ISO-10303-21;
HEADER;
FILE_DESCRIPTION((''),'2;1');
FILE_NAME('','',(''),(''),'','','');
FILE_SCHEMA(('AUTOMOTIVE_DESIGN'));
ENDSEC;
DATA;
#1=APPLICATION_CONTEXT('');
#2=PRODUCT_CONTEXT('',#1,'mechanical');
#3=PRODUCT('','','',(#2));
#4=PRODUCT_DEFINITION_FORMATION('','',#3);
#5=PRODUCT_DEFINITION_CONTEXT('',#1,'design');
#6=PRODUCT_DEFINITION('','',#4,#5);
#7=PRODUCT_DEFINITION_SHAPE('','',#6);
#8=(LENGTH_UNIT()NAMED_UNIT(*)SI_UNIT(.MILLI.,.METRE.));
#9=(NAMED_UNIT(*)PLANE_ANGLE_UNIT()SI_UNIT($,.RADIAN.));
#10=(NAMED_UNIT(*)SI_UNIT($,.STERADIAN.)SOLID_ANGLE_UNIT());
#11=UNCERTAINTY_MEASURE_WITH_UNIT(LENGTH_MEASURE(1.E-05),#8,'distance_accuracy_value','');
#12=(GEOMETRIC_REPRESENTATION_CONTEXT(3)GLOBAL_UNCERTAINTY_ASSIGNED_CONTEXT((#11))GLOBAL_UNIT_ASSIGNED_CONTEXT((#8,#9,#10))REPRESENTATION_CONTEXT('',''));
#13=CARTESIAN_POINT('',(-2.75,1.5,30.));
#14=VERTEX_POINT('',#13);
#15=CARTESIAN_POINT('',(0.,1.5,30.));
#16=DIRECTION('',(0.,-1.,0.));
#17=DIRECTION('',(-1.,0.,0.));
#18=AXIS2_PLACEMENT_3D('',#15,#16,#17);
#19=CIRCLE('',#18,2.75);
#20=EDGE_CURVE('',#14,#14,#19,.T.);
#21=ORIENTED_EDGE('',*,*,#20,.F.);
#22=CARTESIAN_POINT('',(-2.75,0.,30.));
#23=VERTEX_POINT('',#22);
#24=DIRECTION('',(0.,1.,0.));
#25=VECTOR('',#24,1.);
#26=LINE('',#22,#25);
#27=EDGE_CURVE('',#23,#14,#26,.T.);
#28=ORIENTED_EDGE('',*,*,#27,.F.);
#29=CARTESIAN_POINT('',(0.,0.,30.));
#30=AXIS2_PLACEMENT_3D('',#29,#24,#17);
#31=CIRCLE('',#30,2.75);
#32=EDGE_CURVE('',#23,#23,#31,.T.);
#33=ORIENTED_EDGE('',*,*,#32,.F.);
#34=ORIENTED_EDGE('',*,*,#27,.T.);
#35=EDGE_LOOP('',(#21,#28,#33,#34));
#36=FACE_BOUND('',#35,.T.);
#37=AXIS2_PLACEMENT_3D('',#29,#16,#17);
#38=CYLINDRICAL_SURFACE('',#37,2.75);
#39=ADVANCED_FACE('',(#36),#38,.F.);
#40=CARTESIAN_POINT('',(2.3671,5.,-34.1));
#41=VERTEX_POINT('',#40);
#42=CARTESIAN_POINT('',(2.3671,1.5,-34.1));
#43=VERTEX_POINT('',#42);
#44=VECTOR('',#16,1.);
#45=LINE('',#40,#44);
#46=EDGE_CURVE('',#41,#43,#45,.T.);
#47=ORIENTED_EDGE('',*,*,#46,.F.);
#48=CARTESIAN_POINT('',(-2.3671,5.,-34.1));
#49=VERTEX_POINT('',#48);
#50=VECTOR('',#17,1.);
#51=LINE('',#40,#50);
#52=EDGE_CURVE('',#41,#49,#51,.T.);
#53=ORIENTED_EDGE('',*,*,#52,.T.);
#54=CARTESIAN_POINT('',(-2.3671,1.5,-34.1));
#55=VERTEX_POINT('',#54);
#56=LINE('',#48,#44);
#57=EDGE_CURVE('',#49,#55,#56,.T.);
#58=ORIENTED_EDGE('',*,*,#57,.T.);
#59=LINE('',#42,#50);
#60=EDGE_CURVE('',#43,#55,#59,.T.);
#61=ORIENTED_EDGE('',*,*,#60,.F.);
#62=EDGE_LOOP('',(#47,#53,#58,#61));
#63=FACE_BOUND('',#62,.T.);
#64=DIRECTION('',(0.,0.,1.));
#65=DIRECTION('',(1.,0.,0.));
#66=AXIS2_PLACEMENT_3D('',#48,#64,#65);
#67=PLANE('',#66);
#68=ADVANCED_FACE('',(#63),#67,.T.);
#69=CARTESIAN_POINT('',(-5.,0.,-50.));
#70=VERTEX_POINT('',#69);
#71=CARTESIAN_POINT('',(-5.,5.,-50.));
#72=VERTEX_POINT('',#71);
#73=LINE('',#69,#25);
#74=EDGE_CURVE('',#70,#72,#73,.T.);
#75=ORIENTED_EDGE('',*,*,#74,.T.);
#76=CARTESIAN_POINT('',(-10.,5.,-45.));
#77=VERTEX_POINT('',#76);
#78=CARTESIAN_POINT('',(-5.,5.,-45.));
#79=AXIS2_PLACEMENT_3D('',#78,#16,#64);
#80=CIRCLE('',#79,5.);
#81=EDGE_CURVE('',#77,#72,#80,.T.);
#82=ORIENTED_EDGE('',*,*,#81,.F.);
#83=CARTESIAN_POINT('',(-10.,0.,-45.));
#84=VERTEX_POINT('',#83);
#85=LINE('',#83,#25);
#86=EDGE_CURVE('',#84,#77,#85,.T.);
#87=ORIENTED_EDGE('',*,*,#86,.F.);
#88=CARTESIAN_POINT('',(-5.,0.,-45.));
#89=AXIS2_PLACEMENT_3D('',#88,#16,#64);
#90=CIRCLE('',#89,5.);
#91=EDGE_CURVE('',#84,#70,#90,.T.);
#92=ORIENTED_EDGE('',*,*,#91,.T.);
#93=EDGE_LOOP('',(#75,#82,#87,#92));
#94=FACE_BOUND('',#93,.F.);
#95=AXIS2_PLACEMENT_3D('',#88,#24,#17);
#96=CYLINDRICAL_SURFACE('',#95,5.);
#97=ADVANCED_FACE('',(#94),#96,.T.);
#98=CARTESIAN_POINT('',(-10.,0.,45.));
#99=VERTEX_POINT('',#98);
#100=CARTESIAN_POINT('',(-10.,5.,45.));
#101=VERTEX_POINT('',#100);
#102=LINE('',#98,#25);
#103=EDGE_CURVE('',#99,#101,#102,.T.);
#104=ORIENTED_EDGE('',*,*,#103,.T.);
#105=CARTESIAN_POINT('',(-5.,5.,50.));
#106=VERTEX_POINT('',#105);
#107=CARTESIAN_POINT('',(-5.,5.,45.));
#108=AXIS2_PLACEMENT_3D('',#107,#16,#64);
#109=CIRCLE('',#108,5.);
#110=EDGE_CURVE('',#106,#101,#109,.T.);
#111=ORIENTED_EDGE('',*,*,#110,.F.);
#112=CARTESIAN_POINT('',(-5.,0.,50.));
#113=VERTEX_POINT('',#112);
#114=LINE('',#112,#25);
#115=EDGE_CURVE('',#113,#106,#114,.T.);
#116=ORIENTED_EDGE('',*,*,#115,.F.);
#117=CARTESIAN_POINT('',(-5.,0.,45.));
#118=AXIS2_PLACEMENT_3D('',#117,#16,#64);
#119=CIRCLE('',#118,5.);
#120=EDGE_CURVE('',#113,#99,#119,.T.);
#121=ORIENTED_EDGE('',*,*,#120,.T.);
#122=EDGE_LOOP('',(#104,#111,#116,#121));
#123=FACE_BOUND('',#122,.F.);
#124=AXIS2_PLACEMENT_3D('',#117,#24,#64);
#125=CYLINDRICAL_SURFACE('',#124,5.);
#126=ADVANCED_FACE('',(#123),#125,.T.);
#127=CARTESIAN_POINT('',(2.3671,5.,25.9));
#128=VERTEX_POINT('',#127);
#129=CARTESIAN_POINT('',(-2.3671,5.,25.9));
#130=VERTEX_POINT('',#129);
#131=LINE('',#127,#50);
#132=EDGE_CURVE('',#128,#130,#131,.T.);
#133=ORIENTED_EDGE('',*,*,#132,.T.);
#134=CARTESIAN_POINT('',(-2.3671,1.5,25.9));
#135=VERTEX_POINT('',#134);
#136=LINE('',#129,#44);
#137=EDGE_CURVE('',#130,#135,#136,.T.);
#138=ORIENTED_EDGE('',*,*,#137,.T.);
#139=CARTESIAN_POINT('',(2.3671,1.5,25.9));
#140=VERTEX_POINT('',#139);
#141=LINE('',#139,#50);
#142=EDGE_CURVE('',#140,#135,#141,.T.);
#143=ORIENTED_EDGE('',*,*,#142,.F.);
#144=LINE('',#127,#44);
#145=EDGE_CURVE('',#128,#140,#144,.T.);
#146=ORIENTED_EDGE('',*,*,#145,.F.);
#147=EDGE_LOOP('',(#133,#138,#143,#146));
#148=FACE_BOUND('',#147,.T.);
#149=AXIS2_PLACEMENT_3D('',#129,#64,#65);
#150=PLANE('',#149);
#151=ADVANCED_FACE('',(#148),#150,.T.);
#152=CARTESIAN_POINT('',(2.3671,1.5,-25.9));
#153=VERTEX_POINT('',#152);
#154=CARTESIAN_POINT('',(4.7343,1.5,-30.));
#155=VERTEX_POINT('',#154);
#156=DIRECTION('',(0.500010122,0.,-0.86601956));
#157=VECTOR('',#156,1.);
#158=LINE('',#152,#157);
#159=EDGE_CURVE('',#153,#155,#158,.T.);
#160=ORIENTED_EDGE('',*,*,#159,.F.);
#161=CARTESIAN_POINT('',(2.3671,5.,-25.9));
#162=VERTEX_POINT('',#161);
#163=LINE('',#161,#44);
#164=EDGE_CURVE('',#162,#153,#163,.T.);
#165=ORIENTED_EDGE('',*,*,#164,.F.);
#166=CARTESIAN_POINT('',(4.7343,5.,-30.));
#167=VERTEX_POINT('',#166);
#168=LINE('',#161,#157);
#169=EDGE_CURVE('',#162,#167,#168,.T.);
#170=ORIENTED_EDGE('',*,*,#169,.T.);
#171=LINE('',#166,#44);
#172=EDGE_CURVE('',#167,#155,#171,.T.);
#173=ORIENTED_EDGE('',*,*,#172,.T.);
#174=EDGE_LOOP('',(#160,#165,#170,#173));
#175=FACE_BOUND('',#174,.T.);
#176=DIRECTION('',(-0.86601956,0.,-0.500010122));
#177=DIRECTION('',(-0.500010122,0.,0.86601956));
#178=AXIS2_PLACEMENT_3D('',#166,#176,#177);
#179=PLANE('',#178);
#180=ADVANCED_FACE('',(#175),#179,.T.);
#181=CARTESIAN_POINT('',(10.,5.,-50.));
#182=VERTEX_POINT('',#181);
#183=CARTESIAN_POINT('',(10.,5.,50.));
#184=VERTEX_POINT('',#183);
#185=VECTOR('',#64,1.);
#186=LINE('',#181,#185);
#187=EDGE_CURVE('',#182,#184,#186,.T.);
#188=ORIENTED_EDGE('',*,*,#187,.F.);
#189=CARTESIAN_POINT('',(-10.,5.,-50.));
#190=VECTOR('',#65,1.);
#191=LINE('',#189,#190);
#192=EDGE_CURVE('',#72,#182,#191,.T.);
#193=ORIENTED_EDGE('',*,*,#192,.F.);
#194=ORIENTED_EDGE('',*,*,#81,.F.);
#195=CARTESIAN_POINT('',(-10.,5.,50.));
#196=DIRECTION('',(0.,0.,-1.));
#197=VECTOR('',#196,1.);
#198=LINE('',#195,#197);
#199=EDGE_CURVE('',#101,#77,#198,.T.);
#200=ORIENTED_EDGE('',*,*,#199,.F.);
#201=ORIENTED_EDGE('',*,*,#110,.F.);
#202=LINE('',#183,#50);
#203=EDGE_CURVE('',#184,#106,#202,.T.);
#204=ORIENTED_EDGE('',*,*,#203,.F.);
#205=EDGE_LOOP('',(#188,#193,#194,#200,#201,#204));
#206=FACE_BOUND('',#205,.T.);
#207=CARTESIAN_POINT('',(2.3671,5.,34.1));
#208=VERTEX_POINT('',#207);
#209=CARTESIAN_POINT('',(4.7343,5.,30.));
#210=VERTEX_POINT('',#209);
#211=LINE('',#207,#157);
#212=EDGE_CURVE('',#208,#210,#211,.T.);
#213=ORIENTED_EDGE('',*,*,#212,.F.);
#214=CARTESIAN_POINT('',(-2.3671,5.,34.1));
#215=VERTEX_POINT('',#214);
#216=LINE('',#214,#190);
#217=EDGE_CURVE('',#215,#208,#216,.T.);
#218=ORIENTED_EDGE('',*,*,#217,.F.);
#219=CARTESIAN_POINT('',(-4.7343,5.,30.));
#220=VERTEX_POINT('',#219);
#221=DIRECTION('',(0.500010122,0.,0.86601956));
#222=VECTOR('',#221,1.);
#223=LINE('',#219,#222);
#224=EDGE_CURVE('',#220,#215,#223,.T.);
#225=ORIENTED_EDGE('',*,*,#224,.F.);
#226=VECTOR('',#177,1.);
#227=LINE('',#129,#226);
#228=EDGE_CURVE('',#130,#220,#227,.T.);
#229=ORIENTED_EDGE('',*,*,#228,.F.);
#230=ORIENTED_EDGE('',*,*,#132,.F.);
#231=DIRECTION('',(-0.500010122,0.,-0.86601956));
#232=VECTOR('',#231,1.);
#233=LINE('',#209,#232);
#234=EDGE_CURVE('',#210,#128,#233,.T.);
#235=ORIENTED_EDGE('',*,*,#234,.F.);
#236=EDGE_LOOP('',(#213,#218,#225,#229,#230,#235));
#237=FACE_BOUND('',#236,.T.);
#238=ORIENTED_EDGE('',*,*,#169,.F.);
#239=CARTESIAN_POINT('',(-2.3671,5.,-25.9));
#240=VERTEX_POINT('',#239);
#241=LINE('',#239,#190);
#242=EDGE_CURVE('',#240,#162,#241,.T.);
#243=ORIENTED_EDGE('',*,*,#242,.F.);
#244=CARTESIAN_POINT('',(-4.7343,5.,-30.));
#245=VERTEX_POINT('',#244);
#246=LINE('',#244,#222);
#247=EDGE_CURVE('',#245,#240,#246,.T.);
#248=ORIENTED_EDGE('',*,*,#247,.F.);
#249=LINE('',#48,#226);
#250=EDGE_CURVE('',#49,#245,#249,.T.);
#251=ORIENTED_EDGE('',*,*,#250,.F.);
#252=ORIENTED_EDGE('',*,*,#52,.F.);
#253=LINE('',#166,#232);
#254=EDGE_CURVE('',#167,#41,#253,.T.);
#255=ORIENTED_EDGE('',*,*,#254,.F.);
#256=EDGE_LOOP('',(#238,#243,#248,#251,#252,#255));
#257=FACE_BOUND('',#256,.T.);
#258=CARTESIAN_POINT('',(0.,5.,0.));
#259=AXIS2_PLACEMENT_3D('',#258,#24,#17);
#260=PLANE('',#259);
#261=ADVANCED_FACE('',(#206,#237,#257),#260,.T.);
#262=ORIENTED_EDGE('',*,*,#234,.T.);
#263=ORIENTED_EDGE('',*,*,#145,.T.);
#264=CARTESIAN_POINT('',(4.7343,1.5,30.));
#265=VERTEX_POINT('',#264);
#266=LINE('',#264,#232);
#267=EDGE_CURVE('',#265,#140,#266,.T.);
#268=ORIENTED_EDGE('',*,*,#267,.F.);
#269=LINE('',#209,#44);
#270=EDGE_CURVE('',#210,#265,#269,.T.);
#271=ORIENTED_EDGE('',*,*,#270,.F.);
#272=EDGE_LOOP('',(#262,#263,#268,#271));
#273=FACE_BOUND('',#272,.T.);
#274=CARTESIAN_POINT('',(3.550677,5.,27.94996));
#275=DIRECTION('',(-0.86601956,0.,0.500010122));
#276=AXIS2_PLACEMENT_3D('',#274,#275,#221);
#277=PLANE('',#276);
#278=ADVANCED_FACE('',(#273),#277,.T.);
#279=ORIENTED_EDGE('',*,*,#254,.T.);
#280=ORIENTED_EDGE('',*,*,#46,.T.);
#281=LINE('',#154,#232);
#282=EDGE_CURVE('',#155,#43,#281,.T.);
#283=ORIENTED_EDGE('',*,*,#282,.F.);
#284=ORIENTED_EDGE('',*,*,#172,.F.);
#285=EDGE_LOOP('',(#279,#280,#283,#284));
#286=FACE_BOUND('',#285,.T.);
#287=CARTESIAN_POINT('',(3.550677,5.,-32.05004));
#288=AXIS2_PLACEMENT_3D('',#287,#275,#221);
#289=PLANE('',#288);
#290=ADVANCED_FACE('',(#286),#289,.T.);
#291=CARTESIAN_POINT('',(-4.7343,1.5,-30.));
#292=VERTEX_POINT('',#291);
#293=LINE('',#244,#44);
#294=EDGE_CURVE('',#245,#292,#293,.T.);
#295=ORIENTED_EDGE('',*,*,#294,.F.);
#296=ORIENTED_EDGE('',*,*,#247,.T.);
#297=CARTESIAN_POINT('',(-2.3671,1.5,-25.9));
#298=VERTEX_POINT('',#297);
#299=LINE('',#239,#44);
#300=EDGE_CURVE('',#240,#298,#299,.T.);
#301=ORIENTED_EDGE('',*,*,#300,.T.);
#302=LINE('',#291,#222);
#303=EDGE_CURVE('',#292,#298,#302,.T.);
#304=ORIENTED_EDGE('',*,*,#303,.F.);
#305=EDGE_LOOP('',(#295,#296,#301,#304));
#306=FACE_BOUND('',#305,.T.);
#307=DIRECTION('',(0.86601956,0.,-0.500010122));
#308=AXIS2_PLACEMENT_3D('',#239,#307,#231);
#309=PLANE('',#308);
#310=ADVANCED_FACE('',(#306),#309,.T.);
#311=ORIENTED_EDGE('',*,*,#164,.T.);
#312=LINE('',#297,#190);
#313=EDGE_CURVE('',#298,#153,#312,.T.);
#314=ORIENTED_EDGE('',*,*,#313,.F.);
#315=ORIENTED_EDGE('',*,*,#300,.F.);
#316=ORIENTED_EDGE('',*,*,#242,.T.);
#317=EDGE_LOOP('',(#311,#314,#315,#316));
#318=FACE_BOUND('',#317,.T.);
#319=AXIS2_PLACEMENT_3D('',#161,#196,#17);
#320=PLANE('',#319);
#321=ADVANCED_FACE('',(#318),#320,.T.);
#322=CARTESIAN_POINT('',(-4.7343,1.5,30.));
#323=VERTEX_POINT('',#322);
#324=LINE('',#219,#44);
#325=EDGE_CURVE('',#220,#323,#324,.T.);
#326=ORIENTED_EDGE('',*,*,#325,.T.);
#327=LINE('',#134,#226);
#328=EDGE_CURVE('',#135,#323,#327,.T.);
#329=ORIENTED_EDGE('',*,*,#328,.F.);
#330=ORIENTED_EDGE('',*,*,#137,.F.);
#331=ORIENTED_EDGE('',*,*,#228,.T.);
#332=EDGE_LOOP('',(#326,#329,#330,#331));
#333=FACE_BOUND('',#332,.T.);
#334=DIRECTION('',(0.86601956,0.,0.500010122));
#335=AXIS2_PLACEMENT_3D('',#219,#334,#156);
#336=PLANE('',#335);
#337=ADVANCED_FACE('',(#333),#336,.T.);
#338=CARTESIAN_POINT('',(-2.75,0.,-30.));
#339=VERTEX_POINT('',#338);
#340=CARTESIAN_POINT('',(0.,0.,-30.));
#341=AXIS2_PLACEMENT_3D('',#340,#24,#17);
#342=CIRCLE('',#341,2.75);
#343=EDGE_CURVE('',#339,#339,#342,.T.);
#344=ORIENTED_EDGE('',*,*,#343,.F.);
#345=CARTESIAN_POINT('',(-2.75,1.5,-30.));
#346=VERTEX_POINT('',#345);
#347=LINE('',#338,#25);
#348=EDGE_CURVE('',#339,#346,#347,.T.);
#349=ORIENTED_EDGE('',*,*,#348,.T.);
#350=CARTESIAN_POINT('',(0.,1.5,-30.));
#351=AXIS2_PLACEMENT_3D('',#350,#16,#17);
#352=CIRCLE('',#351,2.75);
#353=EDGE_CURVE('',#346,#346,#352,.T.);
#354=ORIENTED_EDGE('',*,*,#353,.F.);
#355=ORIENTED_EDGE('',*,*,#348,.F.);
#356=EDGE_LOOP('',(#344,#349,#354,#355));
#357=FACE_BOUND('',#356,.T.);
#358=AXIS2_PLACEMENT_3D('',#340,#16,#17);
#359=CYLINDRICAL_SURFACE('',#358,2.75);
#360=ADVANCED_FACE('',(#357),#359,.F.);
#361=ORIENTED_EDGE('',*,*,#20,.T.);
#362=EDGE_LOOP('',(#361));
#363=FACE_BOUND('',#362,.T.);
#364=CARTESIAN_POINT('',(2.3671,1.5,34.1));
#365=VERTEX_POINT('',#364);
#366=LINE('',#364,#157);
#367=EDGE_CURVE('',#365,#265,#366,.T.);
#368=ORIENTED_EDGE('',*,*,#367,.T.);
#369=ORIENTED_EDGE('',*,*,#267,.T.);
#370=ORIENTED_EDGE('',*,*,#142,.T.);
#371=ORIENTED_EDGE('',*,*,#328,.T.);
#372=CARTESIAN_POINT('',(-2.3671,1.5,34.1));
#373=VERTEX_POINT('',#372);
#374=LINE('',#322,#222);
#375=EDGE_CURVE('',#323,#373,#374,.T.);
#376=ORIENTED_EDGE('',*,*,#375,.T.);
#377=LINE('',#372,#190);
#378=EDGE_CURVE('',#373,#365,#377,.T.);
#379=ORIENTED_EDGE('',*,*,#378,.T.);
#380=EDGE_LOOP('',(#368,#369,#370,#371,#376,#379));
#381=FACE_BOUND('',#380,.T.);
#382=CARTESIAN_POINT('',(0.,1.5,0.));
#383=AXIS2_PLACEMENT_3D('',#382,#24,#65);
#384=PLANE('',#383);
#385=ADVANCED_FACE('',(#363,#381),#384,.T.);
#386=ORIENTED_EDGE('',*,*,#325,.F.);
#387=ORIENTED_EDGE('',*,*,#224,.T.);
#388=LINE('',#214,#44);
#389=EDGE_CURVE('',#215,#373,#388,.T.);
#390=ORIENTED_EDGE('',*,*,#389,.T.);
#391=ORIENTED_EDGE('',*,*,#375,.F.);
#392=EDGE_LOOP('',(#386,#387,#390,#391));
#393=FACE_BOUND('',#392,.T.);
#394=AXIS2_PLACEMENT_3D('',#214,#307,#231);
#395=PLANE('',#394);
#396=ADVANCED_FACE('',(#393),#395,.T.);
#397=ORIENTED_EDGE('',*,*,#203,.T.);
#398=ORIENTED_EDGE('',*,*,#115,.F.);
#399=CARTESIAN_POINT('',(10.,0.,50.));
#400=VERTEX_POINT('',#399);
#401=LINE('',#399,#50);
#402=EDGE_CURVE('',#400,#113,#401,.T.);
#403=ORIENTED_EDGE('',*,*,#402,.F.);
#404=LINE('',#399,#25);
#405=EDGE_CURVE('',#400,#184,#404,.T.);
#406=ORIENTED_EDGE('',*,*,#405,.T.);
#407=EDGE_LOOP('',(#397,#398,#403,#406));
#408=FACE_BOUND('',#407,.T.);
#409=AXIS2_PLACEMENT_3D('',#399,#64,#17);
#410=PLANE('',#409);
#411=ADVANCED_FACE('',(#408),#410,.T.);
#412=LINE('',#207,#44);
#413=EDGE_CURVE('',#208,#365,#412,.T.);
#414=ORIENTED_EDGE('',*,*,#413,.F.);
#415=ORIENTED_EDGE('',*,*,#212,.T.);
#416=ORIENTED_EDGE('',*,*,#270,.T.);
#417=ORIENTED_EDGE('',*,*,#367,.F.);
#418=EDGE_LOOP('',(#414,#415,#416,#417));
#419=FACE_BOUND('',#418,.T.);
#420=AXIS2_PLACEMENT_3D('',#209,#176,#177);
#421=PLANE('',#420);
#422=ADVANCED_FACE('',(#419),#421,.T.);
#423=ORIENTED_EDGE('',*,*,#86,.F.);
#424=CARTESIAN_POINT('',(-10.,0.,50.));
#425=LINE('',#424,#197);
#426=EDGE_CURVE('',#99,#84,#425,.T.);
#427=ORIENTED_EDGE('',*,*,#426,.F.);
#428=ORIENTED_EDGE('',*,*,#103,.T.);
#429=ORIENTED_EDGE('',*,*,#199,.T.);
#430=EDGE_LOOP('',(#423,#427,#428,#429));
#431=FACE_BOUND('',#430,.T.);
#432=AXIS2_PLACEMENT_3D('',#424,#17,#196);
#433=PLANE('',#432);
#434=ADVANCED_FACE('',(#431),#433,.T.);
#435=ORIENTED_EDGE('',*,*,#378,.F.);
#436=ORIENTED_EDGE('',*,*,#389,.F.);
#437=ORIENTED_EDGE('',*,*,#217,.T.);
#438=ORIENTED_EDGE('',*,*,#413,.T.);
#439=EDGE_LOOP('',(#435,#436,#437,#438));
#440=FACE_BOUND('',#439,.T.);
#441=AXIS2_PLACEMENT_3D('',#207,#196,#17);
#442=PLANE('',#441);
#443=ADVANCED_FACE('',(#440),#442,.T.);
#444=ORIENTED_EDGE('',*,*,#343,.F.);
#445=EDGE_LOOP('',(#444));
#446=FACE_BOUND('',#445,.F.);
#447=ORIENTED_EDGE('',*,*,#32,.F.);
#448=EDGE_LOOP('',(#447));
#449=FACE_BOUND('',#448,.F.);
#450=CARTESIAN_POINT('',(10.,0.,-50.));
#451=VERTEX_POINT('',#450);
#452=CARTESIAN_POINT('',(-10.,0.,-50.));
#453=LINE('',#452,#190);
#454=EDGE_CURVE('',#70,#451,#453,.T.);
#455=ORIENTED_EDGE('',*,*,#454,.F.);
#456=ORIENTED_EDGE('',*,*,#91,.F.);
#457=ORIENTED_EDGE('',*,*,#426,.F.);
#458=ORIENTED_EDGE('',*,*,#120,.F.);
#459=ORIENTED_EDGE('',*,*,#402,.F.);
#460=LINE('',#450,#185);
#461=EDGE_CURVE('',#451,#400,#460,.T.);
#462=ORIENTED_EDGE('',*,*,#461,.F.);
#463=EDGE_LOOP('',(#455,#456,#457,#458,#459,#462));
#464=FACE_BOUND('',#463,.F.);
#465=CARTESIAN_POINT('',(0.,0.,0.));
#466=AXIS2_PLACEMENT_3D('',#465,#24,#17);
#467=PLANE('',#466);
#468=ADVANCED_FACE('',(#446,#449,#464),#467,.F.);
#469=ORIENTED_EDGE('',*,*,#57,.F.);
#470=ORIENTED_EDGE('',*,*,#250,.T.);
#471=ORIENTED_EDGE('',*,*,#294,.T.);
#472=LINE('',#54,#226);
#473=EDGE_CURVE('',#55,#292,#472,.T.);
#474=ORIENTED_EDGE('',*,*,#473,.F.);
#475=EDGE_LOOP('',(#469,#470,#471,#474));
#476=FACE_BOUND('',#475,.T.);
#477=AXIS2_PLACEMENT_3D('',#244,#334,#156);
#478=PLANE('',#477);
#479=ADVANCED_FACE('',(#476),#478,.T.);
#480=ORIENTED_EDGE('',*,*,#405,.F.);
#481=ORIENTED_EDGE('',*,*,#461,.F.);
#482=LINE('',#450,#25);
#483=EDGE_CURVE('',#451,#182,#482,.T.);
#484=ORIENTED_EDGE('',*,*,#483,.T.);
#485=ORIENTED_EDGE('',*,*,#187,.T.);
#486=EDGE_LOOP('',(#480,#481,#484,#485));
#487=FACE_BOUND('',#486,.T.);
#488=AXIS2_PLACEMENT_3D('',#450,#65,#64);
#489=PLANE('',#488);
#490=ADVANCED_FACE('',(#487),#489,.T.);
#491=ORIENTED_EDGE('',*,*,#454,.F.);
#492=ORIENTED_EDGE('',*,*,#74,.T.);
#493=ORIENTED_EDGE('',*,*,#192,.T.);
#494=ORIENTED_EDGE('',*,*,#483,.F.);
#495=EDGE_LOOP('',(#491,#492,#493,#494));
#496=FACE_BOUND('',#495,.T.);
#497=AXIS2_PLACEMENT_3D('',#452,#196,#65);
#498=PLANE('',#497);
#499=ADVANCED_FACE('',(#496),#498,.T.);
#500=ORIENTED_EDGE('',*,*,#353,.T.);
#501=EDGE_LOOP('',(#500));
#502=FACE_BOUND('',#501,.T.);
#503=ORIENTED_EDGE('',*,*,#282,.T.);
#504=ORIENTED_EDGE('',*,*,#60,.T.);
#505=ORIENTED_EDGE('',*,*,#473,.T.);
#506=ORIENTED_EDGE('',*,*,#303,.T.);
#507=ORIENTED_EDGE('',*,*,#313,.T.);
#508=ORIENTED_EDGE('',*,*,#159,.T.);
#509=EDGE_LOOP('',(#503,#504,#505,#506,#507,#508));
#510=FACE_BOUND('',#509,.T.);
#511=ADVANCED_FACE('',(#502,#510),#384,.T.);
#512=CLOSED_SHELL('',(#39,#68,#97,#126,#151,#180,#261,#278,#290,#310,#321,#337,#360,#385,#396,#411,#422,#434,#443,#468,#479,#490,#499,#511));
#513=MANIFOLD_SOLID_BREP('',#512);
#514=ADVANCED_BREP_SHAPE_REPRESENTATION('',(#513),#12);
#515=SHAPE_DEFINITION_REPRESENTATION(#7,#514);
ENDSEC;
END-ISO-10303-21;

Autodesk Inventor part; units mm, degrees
ref_plane "YZ Plane" through (0, 0, 0) normal (1, 0, 0) x (0, 1, 0)
ref_plane "XZ Plane" through (0, 0, 0) normal (0, 1, 0) x (-1, 0, 0)
ref_plane "XY Plane" through (0, 0, 0) normal (0, 0, 1) x (1, 0, 0)
sketch "Sketch1" plane through (0, 0, 0) normal (0, 1, 0) x (-1, 0, 0)
  line L0 (-10, 50) -> (10, 50)
  line L1 (10, 50) -> (10, -50)
  line L2 (10, -50) -> (-10, -50)
  line L3 (-10, -50) -> (-10, 50)
  line L4 (-10, 50) -> (10, -50) construction
  line L5 (10, 50) -> (-10, -50) construction
  circle A0 centre (0, 30) radius 2.75
  circle A1 centre (0, -30) radius 2.75
  point P0 (0, 0)
  dimension "d0" = 20
  dimension "d1" = 100
  dimension "d2" = 5.5
  dimension "d3" = 20
  dimension "d4" = 20
extrude "Extrusion1" add sketch "Sketch1" along normal blind 5
sketch "Sketch2" plane through (0, 5, 0) normal (0, 1, 0) x (1, 0, 0)
  circle A0 centre (0, -30) radius 2.75 projected
  circle A1 centre (0, -30) radius 4.1
  circle A2 centre (0, 30) radius 2.75 projected
  circle A3 centre (0, 30) radius 4.1
  line L0 (-4.7343, -30) -> (-2.3671, -25.9)
  line L1 (-2.3671, -25.9) -> (2.3671, -25.9)
  line L2 (2.3671, -25.9) -> (4.7343, -30)
  line L3 (4.7343, -30) -> (2.3671, -34.1)
  line L4 (2.3671, -34.1) -> (-2.3671, -34.1)
  line L5 (-2.3671, -34.1) -> (-4.7343, -30)
  line L6 (-4.7343, 30) -> (-2.3671, 34.1)
  line L7 (-2.3671, 34.1) -> (2.3671, 34.1)
  line L8 (2.3671, 34.1) -> (4.7343, 30)
  line L9 (4.7343, 30) -> (2.3671, 25.9)
  line L10 (2.3671, 25.9) -> (-2.3671, 25.9)
  line L11 (-2.3671, 25.9) -> (-4.7343, 30)
  point P0 (0, 0)
  dimension "d7" = 8.2
extrude "Extrusion2" cut sketch "Sketch2" against normal blind 3.5 contours A0 | A1 | A1 L2 L3 | A1 L1 L2 | L3 L4 A1 | A1 L0 L1 | L4 L5 A1 | A1 L5 L0 | A2 | A3 | A3 L8 L9 | A3 L7 L8 | L9 L10 A3 | A3 L6 L7 | L10 L11 A3 | A3 L11 L6
fillet "Fillet1" radius 5 2 edges at (-10, 2.5, 50) (-10, 2.5, -50)
properties part number "Rubberplate"
